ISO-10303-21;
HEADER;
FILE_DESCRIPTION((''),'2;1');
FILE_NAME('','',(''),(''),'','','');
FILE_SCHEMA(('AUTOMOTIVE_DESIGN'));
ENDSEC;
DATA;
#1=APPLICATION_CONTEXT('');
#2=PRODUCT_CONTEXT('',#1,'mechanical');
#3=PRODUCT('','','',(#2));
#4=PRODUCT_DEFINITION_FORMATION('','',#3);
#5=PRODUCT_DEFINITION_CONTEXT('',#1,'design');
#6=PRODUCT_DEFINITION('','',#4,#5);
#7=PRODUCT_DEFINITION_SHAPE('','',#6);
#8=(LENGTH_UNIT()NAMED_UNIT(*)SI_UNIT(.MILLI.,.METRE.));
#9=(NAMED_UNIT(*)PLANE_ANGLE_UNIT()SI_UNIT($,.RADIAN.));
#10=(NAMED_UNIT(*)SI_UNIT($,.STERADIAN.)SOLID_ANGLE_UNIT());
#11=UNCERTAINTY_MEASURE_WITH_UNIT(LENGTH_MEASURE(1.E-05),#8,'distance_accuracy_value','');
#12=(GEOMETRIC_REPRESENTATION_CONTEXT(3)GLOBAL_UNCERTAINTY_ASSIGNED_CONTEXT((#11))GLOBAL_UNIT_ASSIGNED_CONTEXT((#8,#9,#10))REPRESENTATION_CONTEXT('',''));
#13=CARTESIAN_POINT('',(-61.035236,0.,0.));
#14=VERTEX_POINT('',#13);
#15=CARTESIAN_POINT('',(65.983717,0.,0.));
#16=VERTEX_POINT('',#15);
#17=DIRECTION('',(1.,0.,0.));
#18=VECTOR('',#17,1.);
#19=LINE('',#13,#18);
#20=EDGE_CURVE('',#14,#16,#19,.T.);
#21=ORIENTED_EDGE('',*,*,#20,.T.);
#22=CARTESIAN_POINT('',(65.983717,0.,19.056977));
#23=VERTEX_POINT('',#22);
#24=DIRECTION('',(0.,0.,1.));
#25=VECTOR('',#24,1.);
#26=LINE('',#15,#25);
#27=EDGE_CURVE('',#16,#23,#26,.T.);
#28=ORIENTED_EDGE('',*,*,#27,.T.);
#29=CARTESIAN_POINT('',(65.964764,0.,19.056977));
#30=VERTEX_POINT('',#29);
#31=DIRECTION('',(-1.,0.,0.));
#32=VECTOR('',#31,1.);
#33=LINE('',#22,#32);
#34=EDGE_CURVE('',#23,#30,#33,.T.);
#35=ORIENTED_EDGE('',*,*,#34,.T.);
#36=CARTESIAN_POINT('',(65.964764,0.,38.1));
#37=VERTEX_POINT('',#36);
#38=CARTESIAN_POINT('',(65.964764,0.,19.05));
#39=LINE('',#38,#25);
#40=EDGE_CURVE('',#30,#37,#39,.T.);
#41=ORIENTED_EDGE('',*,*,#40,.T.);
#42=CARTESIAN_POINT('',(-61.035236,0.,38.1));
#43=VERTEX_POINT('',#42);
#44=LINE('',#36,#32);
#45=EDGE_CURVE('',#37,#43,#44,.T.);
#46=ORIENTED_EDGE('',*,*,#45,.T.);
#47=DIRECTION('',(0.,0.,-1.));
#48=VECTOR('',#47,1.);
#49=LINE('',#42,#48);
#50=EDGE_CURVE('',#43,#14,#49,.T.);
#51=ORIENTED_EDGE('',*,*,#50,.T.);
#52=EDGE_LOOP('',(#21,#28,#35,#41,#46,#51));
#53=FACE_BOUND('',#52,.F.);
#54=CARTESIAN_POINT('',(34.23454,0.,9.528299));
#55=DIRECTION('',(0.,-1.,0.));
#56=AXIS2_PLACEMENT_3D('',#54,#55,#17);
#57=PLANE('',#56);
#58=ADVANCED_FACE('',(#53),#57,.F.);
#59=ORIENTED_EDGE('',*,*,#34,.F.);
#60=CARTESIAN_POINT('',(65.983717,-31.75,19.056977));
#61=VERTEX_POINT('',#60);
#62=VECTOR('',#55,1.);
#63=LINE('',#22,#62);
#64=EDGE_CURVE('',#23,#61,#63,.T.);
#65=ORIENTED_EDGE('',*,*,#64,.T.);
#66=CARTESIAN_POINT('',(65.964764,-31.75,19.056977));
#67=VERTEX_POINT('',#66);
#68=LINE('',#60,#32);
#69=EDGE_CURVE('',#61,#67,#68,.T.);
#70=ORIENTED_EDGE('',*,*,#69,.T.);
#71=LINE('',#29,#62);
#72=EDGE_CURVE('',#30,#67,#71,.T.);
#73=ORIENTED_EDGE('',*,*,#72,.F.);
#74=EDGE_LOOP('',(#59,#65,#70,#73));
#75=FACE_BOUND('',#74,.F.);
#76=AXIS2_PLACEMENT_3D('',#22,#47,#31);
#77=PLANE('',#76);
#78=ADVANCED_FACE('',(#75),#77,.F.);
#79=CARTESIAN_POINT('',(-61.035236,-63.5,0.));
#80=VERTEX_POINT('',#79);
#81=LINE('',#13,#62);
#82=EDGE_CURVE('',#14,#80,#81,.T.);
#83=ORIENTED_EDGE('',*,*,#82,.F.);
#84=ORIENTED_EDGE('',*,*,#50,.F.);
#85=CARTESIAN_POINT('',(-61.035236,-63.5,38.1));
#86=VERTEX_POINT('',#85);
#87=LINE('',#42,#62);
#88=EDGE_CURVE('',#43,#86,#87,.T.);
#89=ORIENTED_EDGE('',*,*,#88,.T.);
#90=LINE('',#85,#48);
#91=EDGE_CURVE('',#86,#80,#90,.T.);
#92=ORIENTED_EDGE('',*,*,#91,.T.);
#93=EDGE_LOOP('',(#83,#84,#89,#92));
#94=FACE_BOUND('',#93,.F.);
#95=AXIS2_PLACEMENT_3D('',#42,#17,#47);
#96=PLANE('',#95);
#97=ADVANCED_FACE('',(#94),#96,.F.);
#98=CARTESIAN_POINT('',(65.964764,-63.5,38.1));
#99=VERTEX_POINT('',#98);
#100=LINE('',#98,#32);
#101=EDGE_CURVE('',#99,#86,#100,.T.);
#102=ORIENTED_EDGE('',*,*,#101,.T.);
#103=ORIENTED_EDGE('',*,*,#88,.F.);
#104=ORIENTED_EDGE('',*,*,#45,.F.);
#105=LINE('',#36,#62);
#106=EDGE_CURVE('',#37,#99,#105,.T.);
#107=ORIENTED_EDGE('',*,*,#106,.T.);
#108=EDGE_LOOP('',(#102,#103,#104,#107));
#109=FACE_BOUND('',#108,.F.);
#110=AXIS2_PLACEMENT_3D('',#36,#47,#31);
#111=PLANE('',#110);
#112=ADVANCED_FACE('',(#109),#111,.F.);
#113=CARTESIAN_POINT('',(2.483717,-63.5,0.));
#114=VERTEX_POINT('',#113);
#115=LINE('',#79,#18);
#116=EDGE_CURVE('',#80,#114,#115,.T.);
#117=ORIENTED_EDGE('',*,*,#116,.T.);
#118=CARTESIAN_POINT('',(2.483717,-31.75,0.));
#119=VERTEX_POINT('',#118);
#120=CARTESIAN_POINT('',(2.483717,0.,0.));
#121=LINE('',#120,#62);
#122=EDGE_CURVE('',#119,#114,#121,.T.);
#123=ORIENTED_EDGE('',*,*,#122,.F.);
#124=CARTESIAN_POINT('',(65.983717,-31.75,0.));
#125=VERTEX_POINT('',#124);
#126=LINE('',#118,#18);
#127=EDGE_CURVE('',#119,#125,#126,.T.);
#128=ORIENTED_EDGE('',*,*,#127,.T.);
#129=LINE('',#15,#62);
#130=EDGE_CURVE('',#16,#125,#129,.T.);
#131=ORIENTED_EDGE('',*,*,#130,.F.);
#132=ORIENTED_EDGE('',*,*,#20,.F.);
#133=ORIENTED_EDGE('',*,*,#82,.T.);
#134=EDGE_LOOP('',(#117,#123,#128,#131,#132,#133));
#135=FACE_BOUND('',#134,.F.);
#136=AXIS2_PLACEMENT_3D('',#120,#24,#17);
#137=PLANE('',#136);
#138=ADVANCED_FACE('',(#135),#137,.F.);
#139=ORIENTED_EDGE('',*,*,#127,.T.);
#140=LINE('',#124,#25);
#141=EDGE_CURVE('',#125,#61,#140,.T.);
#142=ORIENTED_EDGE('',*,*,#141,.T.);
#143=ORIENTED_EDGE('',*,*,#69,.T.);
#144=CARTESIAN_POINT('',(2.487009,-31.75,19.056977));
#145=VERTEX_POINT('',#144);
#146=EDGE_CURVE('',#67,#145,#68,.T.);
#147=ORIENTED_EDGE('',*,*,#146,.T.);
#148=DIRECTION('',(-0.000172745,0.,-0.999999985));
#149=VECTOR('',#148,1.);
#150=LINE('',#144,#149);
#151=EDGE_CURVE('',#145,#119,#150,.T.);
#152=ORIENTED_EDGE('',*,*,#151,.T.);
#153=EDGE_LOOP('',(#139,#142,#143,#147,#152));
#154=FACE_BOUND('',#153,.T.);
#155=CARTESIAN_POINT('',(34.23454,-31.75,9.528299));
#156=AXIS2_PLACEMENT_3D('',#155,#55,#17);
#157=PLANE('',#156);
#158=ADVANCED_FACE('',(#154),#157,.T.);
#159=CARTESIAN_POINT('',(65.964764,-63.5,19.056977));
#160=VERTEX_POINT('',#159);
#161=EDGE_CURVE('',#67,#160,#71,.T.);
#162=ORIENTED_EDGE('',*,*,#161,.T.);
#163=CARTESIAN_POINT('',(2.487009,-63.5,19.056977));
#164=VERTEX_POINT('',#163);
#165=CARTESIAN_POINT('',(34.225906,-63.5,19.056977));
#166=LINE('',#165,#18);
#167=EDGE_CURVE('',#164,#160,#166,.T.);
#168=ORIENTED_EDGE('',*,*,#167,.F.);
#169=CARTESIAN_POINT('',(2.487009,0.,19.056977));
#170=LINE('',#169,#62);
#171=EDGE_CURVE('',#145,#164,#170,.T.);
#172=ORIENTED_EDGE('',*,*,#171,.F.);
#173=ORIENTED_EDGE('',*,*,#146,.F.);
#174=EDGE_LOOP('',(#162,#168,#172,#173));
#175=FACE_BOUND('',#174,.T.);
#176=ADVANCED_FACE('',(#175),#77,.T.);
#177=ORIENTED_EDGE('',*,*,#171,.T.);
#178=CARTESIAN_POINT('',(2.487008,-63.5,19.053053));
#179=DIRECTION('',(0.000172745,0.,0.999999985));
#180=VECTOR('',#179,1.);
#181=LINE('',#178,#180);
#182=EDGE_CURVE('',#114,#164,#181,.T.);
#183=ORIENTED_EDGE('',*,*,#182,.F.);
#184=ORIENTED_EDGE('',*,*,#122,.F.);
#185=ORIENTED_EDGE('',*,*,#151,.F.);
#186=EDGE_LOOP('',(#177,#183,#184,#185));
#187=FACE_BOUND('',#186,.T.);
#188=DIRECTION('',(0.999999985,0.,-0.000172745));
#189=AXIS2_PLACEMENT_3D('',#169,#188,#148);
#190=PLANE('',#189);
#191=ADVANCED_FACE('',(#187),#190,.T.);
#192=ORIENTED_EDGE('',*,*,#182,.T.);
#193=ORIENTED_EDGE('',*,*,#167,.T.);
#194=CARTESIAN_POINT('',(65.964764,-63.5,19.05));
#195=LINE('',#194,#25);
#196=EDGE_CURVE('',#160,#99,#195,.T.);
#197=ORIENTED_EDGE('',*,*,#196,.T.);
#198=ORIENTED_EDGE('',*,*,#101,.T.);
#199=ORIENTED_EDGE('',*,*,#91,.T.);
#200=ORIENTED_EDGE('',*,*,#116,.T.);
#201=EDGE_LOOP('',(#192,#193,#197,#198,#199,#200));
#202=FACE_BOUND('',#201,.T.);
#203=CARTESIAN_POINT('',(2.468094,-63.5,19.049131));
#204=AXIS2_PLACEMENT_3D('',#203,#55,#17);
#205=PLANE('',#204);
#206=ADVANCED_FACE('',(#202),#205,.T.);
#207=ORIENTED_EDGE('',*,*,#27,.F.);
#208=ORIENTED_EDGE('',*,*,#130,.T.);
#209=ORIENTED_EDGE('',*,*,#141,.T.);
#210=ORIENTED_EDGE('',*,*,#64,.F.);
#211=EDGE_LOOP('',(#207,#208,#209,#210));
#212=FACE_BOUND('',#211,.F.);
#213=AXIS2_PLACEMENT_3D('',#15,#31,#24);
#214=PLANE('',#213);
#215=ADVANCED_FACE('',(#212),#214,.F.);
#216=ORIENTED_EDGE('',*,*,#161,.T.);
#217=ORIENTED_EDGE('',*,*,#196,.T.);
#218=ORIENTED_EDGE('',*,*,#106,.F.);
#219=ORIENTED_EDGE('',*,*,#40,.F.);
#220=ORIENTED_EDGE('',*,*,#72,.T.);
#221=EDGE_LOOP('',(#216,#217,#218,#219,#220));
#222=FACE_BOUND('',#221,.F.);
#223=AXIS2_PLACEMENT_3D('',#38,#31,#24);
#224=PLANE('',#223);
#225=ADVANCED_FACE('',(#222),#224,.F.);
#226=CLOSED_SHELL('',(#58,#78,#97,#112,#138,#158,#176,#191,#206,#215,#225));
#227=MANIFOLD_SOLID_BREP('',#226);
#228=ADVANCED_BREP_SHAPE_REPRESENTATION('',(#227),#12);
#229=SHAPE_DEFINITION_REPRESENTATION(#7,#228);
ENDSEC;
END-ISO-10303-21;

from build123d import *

# Parameters (mm, degrees)
F1_DEPTH = 63.5
F3_DEPTH = 72.136
F4_DEPTH = 31.75


with BuildPart() as f1:
    # F0 (on Front) → F1 (new body)
    with BuildSketch(Plane.XZ):
        Polygon((65.964764, 38.1), (-61.035236, 38.1), (-61.035236, 0), (2.464764, 0), (65.979816, 0), (65.964764, 19.05), align=None)
    extrude(amount=F1_DEPTH)

    # F2 (on Front) → F3 (cut)
    with BuildSketch(Plane.XZ):
        Polygon((2.483717, 0), (65.983717, 0), (65.983717, 19.056977), (2.487009, 19.056977), align=None)
    extrude(amount=F3_DEPTH, mode=Mode.SUBTRACT)

    # F2 (on Front) → F4 (join)
    with BuildSketch(Plane.XZ):
        Polygon((2.483717, 0), (65.983717, 0), (65.983717, 19.056977), (2.487009, 19.056977), align=None)
    extrude(amount=F4_DEPTH)


solid = f1.part
